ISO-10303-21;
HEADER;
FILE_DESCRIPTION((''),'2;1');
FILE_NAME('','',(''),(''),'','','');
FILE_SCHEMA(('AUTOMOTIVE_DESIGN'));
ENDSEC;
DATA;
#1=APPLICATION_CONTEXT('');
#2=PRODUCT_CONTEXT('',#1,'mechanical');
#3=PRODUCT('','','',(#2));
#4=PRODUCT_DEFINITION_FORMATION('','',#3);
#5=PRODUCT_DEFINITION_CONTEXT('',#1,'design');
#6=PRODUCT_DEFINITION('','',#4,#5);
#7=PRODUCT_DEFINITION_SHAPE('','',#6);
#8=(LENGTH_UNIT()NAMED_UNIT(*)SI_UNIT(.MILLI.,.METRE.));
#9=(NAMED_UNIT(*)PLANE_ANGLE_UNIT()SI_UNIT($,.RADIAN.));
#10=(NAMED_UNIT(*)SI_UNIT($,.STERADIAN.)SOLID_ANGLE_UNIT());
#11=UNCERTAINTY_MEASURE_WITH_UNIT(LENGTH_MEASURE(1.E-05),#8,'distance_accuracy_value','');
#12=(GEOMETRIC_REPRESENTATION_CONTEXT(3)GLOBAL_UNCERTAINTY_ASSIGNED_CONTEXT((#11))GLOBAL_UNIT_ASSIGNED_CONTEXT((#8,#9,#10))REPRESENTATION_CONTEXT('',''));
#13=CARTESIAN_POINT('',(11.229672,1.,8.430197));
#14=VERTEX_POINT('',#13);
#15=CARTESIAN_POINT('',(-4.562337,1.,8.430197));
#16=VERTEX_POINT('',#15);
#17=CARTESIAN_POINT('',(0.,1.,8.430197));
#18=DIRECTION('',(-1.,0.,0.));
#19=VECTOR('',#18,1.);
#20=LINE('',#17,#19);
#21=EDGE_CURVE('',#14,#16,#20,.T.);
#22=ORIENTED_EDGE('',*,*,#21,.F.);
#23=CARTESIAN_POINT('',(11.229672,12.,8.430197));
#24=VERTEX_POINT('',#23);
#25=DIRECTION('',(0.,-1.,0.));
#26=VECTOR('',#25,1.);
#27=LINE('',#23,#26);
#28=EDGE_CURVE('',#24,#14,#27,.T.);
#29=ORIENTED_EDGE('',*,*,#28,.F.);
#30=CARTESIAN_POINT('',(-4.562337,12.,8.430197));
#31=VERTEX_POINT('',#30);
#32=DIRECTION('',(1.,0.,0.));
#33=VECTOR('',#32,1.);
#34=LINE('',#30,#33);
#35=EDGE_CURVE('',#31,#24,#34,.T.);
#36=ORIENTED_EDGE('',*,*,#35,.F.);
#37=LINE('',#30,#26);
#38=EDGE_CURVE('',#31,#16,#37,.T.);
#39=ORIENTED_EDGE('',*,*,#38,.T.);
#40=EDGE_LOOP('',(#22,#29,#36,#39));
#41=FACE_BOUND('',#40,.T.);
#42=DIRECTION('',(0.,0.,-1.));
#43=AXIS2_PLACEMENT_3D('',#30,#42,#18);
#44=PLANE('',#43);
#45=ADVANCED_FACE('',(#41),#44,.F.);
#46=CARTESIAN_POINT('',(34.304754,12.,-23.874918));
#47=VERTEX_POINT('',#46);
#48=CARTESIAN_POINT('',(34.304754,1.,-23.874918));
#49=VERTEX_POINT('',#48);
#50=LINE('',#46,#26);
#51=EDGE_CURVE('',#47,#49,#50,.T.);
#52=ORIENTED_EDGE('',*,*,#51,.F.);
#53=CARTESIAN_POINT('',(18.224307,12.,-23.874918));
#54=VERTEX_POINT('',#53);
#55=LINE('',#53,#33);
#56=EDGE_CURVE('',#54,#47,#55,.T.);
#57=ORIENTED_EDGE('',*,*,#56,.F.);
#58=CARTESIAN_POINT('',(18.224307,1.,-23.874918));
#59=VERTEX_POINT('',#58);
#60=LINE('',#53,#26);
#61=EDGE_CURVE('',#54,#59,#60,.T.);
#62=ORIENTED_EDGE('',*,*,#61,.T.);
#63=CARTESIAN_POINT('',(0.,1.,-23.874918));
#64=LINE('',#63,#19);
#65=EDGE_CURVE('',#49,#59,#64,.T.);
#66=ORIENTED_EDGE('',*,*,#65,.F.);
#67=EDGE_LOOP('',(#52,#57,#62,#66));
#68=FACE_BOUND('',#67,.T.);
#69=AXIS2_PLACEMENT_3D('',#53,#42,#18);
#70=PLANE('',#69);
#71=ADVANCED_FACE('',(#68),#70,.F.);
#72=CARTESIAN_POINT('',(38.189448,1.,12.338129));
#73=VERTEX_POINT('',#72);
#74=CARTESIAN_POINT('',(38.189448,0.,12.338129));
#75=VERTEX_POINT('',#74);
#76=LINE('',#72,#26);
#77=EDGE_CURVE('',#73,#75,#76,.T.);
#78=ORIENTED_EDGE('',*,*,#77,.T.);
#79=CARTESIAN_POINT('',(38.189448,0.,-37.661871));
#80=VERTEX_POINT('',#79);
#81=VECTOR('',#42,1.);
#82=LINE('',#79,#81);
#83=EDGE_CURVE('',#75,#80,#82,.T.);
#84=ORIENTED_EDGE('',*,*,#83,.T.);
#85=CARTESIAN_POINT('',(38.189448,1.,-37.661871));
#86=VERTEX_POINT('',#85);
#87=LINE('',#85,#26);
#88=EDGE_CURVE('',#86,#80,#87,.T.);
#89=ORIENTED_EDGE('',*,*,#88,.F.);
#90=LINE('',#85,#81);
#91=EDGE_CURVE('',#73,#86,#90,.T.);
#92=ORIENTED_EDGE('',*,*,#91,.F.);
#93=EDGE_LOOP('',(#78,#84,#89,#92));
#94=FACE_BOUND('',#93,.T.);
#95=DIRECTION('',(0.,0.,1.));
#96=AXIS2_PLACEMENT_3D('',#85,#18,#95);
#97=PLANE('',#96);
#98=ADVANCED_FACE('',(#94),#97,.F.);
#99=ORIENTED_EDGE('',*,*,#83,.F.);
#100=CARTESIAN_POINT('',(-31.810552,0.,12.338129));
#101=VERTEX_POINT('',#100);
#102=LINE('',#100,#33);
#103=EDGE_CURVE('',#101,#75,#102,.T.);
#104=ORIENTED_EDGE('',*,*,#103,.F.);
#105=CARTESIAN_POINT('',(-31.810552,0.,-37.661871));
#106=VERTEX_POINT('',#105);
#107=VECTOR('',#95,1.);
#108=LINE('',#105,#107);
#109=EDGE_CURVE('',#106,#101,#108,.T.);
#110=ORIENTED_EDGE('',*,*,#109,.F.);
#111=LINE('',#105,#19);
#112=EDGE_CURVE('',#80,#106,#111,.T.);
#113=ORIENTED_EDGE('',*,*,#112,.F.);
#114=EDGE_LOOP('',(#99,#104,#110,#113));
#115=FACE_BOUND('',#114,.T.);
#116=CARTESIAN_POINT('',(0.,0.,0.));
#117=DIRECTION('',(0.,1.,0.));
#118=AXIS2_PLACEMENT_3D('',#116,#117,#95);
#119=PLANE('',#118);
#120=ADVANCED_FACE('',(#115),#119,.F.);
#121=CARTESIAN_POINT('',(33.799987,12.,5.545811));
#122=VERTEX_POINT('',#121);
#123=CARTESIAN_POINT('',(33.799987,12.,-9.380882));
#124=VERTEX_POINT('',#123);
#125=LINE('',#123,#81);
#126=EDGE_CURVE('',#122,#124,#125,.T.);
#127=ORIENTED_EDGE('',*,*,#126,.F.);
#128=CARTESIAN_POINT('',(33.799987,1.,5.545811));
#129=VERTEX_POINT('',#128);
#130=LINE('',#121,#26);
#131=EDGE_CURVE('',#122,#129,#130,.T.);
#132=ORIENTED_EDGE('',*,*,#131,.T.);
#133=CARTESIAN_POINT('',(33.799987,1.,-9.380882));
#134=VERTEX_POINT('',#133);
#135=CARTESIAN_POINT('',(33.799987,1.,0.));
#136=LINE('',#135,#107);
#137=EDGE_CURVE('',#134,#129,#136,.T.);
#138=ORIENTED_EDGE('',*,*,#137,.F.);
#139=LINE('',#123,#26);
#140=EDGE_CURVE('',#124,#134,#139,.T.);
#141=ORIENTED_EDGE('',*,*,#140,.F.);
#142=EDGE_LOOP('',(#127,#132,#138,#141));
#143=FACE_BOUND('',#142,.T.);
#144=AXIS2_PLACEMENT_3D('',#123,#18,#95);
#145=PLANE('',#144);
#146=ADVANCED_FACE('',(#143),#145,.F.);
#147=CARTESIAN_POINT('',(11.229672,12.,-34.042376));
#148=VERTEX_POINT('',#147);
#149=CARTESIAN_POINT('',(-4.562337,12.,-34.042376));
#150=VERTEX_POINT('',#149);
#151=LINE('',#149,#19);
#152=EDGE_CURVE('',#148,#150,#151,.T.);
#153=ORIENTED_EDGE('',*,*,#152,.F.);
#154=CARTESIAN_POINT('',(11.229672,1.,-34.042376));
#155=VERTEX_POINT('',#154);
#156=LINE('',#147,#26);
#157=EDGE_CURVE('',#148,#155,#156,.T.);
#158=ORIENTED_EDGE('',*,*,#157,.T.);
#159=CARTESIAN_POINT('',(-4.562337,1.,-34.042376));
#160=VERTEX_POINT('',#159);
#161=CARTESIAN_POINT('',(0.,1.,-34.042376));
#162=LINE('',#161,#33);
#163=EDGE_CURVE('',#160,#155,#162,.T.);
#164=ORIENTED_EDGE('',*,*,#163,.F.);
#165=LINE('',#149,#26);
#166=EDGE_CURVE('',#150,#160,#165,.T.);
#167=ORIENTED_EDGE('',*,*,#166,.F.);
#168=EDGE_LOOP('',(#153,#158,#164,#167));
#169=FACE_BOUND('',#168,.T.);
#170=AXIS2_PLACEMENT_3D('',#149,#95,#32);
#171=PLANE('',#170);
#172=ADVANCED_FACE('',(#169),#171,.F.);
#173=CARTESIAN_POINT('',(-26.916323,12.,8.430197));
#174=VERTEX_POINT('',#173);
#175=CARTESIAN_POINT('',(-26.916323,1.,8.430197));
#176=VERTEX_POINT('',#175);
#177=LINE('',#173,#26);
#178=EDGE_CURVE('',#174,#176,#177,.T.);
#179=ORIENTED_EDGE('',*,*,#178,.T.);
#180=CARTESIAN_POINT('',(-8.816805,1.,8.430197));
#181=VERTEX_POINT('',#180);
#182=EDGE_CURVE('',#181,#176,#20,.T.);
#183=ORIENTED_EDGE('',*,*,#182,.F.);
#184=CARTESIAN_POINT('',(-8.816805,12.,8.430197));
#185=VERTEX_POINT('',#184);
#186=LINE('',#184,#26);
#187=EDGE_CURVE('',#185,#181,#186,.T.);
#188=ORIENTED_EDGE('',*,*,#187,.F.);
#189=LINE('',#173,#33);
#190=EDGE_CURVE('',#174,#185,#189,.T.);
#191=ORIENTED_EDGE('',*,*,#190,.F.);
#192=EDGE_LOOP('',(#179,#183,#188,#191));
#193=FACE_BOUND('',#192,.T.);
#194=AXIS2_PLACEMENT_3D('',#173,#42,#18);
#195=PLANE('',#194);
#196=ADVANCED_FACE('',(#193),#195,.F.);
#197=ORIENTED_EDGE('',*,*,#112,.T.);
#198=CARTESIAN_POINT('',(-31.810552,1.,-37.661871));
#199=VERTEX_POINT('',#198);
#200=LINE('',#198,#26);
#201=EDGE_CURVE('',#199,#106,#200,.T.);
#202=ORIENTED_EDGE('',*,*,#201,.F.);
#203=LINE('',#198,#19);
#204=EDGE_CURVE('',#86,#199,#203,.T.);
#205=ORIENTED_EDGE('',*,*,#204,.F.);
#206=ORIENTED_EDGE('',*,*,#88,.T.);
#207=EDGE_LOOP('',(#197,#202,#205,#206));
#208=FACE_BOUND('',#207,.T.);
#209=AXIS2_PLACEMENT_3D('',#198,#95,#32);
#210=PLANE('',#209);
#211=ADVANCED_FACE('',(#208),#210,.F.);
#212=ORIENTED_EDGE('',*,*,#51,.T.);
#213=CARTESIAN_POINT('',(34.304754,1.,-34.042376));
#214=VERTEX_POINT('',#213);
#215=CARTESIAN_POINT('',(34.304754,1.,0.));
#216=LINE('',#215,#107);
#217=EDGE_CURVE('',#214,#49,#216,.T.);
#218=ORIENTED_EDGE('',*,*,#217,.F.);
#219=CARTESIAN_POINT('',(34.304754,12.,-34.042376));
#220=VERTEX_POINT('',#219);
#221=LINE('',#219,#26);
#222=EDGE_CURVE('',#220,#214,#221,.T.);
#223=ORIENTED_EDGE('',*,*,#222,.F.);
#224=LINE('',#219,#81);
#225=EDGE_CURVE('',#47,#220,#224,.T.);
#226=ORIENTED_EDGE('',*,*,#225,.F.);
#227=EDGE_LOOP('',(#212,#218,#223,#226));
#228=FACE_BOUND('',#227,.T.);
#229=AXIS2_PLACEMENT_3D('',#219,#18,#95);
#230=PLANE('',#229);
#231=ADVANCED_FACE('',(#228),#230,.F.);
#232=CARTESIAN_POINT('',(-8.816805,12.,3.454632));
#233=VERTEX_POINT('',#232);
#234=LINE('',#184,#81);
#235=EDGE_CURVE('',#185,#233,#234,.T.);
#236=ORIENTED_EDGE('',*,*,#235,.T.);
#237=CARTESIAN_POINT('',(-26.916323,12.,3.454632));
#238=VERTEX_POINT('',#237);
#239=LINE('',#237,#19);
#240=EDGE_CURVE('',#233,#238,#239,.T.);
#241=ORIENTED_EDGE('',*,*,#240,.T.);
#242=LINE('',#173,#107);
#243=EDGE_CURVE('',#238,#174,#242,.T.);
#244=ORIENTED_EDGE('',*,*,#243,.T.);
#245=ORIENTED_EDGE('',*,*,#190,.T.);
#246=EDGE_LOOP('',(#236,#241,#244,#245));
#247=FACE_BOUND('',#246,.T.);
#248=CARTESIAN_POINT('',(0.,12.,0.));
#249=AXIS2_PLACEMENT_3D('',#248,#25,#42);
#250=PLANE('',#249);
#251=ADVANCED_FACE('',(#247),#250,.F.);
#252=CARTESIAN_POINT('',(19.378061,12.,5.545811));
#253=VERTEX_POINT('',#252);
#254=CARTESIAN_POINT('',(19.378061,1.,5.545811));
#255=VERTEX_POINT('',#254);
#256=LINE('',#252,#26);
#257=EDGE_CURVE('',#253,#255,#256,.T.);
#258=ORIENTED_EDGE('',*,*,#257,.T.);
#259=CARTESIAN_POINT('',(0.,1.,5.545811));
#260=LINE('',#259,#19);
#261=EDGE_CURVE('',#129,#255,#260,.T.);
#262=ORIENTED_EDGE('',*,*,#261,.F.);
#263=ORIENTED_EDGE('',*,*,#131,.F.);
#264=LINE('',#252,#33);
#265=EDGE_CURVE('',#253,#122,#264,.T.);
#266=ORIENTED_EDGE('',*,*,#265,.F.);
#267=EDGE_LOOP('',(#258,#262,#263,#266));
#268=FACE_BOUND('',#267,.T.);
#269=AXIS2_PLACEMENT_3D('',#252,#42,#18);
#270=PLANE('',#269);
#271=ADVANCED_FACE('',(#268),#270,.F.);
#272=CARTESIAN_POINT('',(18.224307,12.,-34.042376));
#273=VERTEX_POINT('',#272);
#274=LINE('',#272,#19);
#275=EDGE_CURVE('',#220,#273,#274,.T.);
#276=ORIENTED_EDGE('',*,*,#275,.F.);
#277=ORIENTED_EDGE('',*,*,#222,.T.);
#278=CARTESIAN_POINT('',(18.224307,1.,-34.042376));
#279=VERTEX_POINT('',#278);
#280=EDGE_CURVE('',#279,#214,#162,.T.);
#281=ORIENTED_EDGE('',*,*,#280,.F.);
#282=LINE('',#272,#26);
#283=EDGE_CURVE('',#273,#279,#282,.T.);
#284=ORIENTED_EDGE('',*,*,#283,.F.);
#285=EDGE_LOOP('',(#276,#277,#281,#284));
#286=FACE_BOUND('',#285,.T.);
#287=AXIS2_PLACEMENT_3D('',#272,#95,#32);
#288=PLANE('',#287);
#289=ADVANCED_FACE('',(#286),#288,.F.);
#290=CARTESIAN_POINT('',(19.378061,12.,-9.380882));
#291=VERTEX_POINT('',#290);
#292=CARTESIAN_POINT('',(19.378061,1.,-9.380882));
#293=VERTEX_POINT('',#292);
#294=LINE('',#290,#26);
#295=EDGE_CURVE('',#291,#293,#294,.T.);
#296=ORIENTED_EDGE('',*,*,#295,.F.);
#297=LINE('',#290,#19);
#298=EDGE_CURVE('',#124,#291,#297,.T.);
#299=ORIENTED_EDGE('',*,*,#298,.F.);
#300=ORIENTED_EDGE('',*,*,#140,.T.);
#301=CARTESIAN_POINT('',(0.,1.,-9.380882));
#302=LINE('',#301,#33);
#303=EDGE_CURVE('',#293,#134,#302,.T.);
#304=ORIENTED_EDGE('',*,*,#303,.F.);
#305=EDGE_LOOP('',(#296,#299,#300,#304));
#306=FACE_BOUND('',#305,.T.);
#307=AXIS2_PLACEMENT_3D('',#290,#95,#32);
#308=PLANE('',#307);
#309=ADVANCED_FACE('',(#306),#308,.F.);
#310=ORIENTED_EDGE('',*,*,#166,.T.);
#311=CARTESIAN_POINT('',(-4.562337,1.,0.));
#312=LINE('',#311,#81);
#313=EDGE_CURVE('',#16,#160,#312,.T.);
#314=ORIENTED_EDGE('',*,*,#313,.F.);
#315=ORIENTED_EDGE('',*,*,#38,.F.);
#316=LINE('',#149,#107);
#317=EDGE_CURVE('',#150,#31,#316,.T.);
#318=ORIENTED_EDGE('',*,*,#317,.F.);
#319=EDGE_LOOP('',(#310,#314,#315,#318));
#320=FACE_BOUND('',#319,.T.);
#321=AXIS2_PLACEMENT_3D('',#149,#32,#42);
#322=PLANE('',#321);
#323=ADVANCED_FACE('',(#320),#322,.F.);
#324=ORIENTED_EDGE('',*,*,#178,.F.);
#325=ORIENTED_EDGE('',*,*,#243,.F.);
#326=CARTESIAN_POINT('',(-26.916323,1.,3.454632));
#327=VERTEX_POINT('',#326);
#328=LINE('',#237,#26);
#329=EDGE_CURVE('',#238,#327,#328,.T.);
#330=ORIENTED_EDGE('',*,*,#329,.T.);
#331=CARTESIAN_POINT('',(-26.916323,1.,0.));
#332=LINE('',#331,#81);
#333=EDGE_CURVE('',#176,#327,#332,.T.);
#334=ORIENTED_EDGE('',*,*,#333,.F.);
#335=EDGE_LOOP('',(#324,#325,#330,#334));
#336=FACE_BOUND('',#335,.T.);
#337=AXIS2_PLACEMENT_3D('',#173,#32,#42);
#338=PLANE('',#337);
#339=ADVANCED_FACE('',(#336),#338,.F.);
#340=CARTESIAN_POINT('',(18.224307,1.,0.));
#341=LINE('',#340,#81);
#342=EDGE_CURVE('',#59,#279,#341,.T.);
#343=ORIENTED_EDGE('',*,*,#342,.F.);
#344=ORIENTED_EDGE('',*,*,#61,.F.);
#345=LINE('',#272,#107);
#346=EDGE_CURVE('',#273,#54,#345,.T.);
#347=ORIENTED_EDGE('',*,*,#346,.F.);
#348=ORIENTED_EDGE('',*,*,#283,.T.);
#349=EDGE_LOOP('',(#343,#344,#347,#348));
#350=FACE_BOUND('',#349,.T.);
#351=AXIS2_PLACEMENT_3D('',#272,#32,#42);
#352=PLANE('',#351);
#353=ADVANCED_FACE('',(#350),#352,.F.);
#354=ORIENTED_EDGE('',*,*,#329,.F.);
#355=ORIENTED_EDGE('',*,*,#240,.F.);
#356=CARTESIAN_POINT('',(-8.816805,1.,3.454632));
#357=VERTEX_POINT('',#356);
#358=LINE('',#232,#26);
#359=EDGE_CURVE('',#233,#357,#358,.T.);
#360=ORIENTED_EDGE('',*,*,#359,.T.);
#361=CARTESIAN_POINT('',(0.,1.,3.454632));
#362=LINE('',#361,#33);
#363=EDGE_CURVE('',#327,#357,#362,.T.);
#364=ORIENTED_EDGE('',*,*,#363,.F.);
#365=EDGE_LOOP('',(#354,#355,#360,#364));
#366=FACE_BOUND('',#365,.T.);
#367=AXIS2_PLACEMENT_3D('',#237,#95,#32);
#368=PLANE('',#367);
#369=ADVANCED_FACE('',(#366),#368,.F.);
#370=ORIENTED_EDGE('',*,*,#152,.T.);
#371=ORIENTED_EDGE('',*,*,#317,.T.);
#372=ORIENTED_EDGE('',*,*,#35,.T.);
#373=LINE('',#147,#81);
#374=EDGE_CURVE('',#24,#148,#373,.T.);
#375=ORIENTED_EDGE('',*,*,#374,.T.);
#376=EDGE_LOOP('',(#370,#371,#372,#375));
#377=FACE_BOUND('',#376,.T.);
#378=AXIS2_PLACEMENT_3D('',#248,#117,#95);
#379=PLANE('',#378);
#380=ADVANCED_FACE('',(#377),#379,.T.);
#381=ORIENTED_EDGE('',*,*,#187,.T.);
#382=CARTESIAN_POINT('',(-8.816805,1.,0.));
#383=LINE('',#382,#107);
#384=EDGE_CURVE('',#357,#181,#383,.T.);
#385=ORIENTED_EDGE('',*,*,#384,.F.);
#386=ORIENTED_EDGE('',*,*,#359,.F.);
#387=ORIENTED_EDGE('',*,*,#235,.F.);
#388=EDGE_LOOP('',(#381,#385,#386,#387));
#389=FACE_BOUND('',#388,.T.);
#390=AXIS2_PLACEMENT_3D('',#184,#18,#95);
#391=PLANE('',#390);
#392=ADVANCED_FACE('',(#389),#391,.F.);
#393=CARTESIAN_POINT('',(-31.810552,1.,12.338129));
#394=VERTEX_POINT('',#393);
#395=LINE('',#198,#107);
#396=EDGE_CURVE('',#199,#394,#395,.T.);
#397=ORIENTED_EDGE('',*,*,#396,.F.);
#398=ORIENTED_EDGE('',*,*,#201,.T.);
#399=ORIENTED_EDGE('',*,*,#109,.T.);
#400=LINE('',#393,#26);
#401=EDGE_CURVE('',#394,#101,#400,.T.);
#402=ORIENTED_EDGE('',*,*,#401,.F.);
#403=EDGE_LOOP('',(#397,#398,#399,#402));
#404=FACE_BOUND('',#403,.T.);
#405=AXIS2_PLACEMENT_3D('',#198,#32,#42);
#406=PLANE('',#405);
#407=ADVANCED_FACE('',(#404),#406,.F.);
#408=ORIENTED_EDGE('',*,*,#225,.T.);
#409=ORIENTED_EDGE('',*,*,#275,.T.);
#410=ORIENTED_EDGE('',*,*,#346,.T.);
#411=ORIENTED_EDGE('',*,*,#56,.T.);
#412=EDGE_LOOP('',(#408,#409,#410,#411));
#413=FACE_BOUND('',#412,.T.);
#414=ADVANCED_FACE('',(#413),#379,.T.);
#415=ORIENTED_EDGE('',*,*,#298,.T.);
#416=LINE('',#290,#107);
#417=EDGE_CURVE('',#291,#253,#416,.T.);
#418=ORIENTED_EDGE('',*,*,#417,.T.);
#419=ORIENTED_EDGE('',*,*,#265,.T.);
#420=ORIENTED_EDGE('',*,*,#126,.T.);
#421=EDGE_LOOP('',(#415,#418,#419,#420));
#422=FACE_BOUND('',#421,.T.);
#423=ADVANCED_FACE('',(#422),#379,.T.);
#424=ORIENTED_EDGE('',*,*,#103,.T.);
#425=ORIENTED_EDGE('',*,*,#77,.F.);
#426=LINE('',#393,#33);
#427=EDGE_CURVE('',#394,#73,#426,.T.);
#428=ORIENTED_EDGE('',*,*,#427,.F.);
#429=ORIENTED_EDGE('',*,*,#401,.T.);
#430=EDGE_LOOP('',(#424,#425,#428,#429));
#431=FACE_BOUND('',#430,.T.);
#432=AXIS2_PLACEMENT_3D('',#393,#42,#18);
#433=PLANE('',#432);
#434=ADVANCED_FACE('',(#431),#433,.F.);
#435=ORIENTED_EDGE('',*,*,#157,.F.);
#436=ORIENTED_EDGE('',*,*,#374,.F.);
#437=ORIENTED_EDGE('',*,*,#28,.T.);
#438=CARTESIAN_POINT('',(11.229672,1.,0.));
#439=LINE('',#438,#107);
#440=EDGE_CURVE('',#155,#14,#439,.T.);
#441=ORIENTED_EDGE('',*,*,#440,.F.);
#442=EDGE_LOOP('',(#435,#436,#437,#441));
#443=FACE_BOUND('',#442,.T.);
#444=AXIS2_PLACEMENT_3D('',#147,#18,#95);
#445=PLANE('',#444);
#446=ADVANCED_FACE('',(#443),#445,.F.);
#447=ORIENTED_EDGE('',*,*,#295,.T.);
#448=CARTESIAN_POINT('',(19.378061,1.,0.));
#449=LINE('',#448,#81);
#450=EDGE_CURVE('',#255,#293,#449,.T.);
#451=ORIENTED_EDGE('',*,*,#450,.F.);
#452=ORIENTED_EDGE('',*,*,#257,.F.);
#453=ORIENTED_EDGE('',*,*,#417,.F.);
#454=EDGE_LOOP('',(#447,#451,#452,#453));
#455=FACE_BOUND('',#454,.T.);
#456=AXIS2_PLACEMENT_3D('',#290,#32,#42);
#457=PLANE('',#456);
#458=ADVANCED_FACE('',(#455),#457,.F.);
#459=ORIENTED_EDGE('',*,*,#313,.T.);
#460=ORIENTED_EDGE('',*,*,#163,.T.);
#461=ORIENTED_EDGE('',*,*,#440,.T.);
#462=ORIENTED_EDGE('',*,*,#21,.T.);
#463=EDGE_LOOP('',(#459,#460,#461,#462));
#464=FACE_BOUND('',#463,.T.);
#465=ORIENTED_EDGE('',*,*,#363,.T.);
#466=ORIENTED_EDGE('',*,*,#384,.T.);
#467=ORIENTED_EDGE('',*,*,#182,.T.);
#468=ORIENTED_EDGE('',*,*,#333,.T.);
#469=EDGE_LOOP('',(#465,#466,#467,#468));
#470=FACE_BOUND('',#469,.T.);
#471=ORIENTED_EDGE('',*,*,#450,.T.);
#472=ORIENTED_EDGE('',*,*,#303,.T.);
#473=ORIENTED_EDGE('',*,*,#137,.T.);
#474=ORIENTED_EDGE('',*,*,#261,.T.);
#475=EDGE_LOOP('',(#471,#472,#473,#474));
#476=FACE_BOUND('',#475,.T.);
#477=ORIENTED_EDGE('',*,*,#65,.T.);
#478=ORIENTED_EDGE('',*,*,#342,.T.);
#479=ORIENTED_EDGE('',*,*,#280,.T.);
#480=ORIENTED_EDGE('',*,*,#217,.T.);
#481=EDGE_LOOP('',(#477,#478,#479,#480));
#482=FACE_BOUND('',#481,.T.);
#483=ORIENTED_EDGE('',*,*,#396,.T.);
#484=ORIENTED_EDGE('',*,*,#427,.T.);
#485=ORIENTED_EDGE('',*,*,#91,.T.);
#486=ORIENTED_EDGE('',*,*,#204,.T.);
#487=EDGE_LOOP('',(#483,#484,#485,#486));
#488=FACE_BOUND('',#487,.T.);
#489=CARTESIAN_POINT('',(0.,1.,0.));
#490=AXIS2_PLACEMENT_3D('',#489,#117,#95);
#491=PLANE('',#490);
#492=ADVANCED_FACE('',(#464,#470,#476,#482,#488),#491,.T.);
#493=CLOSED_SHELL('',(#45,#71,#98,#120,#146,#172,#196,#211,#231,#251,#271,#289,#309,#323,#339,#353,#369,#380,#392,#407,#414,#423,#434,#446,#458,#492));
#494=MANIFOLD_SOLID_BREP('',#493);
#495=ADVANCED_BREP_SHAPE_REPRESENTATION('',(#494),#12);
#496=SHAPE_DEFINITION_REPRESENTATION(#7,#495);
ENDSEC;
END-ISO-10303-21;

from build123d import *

# Parameters (mm, degrees)
SKETCH1_W           = 70
SKETCH1_H           = 50
BOSS_EXTRUDE1_DEPTH = 1
SKETCH2_W           = 15.79200929
SKETCH2_H           = 42.472572931
SKETCH2_W_2         = 16.080447816
SKETCH2_H_2         = 10.167458036
SKETCH2_W_3         = 14.421926292
SKETCH2_H_3         = 14.926693712
SKETCH2_W_4         = 18.099517497
SKETCH2_H_4         = 4.975564571
BOSS_EXTRUDE2_DEPTH = 12


with BuildPart() as part:
    # Sketch1 → Boss-Extrude1 (new body)
    with BuildSketch(Plane(origin=(0, 0, 0), x_dir=(1, 0, 0), z_dir=(0, 1, 0))):
        with Locations((3.189448441, 12.661870504)):
            Rectangle(SKETCH1_W, SKETCH1_H)
    extrude(amount=BOSS_EXTRUDE1_DEPTH)

    # Sketch2 → Boss-Extrude2 (add)
    with BuildSketch(Plane(origin=(0, 0, 0), x_dir=(1, 0, 0), z_dir=(0, 1, 0))):
        with Locations((3.333667704, 12.806089767)):
            Rectangle(SKETCH2_W, SKETCH2_H)
        with Locations((26.264530509, 28.958647214)):
            Rectangle(SKETCH2_W_2, SKETCH2_H_2)
        with Locations((26.58902385, 1.917535416)):
            Rectangle(SKETCH2_W_3, SKETCH2_H_3)
        with Locations((-17.866563946, -5.942414413)):
            Rectangle(SKETCH2_W_4, SKETCH2_H_4)
    extrude(amount=BOSS_EXTRUDE2_DEPTH)


solid = part.part
